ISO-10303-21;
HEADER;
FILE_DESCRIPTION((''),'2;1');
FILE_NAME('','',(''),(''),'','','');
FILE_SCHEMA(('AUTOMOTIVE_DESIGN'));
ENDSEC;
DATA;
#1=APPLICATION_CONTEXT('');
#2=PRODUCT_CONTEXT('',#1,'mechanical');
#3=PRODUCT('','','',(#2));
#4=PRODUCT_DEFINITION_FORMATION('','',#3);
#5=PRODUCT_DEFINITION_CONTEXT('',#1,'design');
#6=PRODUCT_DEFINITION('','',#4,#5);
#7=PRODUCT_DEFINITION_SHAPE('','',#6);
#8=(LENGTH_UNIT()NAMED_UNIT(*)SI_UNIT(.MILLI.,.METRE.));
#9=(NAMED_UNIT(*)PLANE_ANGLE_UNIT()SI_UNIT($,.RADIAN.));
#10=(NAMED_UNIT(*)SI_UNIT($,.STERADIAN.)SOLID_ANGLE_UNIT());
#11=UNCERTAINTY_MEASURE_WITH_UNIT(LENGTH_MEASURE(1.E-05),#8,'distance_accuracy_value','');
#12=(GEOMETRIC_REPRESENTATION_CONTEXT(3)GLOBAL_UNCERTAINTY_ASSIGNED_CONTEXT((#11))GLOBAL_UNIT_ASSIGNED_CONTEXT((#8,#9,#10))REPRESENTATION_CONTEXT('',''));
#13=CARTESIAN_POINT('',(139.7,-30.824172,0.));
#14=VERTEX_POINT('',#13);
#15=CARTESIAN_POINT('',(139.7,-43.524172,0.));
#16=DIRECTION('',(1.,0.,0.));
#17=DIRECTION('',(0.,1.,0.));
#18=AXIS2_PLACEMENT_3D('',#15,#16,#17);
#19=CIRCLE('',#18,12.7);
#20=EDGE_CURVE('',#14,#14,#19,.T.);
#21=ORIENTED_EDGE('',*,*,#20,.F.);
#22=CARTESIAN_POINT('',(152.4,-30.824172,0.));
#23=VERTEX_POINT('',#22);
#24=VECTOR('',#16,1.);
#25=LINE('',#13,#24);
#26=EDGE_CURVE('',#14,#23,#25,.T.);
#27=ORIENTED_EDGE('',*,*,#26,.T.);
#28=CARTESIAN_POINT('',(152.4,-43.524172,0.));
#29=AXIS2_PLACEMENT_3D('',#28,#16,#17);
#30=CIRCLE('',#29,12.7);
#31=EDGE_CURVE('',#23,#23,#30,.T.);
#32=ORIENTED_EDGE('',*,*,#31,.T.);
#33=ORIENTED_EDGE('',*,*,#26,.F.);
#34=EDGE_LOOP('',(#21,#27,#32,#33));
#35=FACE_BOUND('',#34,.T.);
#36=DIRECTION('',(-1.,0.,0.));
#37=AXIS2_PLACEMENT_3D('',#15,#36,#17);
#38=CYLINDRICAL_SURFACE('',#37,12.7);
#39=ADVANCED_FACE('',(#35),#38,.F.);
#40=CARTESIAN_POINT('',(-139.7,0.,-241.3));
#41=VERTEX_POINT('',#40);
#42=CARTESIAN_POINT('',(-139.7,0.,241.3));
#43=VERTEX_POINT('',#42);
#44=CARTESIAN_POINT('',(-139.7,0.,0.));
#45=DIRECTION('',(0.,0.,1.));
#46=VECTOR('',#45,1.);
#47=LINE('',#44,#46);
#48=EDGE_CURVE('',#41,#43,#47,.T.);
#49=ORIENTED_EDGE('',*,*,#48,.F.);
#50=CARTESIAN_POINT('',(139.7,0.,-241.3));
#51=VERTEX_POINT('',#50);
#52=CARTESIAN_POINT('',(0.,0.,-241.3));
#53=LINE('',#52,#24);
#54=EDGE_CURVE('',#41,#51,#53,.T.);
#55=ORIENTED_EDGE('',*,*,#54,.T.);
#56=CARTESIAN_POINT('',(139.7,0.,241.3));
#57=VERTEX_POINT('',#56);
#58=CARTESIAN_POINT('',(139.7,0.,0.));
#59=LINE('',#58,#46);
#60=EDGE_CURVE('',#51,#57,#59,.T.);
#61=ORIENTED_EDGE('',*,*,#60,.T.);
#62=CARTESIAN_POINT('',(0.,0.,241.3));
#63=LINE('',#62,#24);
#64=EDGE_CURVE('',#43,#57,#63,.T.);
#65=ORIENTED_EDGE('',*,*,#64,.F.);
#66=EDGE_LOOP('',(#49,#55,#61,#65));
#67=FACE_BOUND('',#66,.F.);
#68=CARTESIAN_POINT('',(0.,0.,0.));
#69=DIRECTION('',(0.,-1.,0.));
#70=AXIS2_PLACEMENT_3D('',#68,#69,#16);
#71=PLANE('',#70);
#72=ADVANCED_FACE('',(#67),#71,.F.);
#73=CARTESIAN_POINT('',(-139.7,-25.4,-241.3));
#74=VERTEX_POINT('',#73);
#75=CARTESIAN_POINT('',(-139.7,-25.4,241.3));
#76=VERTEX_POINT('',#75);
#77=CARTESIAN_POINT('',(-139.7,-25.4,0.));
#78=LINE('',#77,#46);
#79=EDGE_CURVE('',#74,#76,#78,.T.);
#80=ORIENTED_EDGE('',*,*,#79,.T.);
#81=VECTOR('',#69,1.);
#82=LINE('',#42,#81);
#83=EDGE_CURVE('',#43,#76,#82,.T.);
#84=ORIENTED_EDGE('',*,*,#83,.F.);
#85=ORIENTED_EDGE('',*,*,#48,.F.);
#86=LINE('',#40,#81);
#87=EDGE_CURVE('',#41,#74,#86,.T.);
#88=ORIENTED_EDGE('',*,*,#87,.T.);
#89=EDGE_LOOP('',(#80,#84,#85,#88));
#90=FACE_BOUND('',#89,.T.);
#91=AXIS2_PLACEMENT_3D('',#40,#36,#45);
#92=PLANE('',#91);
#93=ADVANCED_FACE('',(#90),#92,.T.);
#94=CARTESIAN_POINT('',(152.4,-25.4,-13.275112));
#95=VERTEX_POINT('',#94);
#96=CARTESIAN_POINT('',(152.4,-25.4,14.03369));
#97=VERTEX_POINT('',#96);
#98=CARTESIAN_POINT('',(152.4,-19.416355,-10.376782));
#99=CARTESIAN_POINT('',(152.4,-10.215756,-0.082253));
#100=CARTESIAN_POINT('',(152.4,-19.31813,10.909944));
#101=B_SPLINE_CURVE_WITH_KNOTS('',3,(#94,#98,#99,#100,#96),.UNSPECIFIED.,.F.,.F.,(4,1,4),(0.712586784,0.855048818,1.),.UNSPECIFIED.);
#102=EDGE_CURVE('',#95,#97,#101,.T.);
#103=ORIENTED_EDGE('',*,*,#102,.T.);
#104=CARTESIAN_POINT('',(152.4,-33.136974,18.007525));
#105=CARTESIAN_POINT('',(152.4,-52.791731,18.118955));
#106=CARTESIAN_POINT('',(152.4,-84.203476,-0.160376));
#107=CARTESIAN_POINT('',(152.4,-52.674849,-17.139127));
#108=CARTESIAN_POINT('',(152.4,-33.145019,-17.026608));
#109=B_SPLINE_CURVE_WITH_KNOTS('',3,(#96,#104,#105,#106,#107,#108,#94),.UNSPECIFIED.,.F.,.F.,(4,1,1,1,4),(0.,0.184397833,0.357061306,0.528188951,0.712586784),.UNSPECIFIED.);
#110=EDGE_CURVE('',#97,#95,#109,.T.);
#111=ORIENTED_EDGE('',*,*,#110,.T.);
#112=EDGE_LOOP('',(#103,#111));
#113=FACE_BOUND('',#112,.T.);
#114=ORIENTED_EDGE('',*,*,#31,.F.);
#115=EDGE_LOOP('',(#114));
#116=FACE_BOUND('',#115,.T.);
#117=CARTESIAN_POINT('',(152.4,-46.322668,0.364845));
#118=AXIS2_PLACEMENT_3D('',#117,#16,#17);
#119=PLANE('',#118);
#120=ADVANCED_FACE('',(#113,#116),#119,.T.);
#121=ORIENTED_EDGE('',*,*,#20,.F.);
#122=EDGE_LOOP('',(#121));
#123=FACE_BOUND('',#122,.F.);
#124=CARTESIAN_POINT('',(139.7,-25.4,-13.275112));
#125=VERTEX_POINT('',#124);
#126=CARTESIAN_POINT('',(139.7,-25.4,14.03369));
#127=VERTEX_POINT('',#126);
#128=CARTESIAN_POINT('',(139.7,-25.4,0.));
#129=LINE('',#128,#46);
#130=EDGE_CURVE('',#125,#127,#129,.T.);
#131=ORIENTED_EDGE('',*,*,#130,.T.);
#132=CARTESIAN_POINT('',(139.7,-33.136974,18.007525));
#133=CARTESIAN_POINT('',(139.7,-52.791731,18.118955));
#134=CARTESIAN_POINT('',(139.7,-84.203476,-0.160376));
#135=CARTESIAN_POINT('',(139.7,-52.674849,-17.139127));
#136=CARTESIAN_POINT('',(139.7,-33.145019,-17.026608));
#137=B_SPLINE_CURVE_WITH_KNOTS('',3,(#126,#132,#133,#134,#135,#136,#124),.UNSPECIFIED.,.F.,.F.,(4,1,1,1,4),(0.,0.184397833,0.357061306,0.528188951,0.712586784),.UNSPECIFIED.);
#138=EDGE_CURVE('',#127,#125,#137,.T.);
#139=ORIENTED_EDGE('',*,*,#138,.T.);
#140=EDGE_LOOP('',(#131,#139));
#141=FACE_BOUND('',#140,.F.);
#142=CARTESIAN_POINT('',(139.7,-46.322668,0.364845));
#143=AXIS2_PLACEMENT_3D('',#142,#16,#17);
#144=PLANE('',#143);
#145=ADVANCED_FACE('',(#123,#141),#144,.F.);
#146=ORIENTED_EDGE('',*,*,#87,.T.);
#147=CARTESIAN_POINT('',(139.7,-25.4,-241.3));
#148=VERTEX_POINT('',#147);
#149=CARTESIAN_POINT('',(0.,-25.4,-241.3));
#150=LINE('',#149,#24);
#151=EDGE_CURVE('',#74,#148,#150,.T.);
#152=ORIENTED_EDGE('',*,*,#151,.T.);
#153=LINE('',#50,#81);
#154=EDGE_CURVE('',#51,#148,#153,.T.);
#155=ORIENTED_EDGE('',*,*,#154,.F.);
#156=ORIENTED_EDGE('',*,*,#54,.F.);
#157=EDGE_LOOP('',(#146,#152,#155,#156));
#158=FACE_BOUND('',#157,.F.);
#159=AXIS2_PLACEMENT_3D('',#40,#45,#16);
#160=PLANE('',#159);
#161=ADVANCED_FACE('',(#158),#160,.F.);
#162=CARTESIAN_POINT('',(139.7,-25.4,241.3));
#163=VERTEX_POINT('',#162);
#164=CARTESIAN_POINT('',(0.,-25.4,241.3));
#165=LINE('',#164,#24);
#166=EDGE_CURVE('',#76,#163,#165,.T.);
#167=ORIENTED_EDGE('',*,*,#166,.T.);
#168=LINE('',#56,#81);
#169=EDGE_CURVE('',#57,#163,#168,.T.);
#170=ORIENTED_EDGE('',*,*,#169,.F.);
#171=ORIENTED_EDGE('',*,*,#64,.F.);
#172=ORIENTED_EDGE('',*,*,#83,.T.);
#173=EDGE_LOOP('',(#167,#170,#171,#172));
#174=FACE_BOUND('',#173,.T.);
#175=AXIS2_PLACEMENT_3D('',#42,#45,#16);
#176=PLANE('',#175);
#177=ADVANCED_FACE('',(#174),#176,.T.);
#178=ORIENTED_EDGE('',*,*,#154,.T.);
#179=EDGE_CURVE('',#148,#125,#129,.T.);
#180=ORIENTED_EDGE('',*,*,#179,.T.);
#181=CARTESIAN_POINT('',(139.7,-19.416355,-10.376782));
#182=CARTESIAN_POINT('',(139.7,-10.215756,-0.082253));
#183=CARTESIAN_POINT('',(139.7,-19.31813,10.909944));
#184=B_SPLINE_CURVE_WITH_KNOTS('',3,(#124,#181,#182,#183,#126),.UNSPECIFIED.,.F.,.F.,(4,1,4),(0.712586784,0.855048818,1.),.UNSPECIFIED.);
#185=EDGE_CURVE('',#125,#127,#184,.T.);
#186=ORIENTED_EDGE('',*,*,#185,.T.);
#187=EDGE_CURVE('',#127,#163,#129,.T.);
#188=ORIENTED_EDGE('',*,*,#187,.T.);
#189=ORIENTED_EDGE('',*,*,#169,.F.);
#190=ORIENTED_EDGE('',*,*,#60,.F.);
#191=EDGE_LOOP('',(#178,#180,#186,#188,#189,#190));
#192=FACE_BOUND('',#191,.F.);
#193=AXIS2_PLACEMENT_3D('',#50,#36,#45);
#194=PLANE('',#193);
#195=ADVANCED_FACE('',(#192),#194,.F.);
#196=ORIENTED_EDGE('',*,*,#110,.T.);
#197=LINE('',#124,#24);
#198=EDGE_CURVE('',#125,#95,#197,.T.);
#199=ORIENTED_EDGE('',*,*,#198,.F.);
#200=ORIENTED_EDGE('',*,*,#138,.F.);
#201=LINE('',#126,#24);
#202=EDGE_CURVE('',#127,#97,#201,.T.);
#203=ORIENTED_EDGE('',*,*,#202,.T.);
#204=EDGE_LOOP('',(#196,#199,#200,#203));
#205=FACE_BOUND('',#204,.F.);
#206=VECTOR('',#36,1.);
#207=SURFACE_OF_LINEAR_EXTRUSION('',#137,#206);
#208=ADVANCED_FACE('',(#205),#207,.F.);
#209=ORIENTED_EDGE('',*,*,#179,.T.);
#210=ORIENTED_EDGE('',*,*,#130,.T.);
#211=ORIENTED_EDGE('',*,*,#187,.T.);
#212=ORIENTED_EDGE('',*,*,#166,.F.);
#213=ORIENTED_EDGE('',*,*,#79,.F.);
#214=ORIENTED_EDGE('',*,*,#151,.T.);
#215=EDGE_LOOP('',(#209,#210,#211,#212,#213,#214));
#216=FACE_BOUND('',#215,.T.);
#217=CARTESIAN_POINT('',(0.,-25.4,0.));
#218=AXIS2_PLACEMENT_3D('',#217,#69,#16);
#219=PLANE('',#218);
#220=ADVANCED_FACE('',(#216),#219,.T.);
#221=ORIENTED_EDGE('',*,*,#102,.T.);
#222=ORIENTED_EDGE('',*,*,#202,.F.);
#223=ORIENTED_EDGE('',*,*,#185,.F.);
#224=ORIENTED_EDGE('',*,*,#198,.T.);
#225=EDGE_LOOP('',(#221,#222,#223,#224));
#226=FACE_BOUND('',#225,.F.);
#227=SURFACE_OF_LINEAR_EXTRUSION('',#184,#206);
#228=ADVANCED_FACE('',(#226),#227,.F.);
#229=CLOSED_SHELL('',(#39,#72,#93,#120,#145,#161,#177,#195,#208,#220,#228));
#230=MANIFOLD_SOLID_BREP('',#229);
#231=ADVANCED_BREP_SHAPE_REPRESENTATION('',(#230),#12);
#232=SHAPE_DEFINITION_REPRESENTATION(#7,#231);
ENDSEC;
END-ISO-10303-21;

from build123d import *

# Parameters (mm, degrees)
F0_W     = 279.4
F0_H     = 482.6
F1_DEPTH = 25.4
F2_R     = 12.7
F3_DEPTH = 12.7


with BuildPart() as f1:
    # F0 (on Front) → F1 (new body)
    with BuildSketch(Plane.XZ):
        Rectangle(F0_W, F0_H)
    extrude(amount=F1_DEPTH)

    # F2 (on face) → F3 (join)
    with BuildSketch(Plane.YZ.offset(139.7)):
        with BuildLine():
            Line((-25.4, -13.2751120254), (-25.4, 14.0336900949))
            add(Edge.make_bspline(
                [(-25.4, 14.0336900949), (-33.1369744425, 18.0075248491), (-52.7917307065, 18.1189550654), (-84.2034755429, -0.1603764683), (-52.6748487799, -17.139127416), (-33.1450185553, -17.0266077913), (-25.4, -13.2751120254)],
                knots=[0, 0, 0, 0, 0.1843978335, 0.3570613059, 0.5281889509, 0.7125867844, 0.7125867844, 0.7125867844, 0.7125867844], degree=3))
        make_face()
        with Locations((-43.524172157, 0)):
            Circle(F2_R, mode=Mode.SUBTRACT)
        with BuildLine():
            add(Edge.make_bspline(
                [(-25.4, -13.2751120254), (-19.4163554461, -10.376782338), (-10.2157563581, -0.0822527268), (-19.3181303254, 10.9099438214), (-25.4, 14.0336900949)],
                knots=[0.7125867844, 0.7125867844, 0.7125867844, 0.7125867844, 0.8550488179, 1, 1, 1, 1], degree=3))
            Line((-25.4, 14.0336900949), (-25.4, -13.2751120254))
        make_face()
    extrude(amount=F3_DEPTH)


solid = f1.part
